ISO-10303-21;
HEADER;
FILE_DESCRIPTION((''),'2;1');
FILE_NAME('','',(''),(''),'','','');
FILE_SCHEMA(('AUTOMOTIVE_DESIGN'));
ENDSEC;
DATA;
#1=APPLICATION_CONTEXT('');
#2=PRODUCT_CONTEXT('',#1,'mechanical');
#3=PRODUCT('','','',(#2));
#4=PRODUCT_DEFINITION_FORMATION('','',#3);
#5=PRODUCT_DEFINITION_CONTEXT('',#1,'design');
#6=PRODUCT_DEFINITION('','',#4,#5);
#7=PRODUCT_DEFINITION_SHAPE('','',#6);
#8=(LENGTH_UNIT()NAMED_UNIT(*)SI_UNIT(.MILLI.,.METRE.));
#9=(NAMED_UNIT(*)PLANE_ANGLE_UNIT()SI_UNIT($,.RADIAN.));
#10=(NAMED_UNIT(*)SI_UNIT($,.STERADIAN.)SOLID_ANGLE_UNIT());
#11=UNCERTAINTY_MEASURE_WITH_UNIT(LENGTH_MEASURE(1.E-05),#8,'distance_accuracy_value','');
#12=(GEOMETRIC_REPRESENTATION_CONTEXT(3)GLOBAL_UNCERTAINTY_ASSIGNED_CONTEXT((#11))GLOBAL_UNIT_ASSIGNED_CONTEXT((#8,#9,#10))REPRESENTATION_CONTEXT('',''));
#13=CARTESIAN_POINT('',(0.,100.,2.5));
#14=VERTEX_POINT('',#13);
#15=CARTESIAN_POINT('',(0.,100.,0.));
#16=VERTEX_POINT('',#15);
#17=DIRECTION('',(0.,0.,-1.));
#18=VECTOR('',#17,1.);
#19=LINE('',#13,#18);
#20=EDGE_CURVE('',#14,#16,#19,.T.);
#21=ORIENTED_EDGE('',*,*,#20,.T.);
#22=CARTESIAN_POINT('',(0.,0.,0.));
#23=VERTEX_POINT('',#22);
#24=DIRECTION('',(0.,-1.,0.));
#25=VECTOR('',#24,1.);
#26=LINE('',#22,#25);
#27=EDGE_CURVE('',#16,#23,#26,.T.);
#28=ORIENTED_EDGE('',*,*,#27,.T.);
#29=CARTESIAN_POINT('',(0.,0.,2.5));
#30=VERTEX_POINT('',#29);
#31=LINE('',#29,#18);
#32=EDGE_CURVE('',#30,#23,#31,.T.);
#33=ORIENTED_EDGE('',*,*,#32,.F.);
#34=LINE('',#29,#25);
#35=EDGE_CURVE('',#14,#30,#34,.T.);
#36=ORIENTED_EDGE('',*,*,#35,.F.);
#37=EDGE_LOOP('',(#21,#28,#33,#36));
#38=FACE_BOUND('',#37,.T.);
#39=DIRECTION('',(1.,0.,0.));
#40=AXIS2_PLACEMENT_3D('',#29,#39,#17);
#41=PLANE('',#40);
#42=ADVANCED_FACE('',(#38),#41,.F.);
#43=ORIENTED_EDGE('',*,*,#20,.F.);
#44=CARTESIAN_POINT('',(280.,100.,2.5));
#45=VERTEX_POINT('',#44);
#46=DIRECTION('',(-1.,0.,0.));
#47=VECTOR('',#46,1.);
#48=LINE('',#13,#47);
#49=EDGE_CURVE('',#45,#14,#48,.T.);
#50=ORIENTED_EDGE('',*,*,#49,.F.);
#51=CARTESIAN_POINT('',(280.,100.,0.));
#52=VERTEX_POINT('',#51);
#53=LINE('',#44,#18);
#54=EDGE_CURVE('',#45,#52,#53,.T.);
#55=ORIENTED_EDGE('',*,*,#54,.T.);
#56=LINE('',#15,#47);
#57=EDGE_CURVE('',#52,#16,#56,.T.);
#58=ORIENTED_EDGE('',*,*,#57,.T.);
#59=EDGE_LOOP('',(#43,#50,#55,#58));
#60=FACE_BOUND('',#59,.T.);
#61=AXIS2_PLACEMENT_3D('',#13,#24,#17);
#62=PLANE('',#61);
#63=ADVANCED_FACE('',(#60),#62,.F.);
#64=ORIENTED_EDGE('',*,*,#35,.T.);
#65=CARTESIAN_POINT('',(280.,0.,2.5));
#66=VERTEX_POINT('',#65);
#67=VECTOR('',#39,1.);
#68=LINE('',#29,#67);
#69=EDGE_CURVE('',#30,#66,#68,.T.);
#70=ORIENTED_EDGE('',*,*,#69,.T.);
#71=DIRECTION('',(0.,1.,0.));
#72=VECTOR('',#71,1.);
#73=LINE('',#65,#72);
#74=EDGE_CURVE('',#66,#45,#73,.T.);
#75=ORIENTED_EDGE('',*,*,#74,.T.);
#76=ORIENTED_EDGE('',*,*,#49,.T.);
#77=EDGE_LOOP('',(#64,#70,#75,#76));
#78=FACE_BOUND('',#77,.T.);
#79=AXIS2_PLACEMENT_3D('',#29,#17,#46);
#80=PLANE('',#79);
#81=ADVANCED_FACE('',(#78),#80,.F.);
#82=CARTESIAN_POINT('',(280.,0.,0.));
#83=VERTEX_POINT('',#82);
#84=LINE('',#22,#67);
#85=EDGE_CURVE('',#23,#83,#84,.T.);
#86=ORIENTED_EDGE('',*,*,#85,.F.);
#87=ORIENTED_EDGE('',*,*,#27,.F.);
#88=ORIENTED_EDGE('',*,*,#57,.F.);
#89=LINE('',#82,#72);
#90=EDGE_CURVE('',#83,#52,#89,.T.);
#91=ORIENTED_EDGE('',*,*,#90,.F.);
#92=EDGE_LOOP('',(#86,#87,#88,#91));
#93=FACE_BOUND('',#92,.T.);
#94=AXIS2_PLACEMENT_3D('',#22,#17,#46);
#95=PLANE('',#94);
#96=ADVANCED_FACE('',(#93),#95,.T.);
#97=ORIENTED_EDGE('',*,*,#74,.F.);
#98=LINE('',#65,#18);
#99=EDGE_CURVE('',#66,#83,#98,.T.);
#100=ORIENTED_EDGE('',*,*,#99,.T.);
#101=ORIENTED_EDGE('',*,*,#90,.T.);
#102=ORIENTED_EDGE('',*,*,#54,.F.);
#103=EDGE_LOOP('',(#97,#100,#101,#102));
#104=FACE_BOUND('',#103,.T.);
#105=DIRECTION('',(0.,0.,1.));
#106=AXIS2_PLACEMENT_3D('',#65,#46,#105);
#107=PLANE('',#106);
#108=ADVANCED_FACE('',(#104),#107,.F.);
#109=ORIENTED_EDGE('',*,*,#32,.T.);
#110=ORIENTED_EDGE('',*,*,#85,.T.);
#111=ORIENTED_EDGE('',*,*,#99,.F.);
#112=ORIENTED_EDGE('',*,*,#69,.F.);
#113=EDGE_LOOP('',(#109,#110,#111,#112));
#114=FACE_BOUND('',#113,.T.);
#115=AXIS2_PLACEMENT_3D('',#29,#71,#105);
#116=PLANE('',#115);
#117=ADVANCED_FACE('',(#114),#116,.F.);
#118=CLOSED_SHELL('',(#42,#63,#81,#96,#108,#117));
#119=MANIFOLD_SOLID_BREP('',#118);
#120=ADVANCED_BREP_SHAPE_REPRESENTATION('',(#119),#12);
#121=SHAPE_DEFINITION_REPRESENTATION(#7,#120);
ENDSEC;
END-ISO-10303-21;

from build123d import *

# Parameters (mm, degrees)
SCHIZZO1_W                   = 280
SCHIZZO1_H                   = 100
ESTRUSIONE_ESTRUSIONE1_DEPTH = 2.5


with BuildPart() as part:
    # Schizzo1 → Estrusione-Estrusione1 (new body)
    with BuildSketch(Plane.XY):
        with Locations((140, 50)):
            Rectangle(SCHIZZO1_W, SCHIZZO1_H)
    extrude(amount=ESTRUSIONE_ESTRUSIONE1_DEPTH)


solid = part.part
